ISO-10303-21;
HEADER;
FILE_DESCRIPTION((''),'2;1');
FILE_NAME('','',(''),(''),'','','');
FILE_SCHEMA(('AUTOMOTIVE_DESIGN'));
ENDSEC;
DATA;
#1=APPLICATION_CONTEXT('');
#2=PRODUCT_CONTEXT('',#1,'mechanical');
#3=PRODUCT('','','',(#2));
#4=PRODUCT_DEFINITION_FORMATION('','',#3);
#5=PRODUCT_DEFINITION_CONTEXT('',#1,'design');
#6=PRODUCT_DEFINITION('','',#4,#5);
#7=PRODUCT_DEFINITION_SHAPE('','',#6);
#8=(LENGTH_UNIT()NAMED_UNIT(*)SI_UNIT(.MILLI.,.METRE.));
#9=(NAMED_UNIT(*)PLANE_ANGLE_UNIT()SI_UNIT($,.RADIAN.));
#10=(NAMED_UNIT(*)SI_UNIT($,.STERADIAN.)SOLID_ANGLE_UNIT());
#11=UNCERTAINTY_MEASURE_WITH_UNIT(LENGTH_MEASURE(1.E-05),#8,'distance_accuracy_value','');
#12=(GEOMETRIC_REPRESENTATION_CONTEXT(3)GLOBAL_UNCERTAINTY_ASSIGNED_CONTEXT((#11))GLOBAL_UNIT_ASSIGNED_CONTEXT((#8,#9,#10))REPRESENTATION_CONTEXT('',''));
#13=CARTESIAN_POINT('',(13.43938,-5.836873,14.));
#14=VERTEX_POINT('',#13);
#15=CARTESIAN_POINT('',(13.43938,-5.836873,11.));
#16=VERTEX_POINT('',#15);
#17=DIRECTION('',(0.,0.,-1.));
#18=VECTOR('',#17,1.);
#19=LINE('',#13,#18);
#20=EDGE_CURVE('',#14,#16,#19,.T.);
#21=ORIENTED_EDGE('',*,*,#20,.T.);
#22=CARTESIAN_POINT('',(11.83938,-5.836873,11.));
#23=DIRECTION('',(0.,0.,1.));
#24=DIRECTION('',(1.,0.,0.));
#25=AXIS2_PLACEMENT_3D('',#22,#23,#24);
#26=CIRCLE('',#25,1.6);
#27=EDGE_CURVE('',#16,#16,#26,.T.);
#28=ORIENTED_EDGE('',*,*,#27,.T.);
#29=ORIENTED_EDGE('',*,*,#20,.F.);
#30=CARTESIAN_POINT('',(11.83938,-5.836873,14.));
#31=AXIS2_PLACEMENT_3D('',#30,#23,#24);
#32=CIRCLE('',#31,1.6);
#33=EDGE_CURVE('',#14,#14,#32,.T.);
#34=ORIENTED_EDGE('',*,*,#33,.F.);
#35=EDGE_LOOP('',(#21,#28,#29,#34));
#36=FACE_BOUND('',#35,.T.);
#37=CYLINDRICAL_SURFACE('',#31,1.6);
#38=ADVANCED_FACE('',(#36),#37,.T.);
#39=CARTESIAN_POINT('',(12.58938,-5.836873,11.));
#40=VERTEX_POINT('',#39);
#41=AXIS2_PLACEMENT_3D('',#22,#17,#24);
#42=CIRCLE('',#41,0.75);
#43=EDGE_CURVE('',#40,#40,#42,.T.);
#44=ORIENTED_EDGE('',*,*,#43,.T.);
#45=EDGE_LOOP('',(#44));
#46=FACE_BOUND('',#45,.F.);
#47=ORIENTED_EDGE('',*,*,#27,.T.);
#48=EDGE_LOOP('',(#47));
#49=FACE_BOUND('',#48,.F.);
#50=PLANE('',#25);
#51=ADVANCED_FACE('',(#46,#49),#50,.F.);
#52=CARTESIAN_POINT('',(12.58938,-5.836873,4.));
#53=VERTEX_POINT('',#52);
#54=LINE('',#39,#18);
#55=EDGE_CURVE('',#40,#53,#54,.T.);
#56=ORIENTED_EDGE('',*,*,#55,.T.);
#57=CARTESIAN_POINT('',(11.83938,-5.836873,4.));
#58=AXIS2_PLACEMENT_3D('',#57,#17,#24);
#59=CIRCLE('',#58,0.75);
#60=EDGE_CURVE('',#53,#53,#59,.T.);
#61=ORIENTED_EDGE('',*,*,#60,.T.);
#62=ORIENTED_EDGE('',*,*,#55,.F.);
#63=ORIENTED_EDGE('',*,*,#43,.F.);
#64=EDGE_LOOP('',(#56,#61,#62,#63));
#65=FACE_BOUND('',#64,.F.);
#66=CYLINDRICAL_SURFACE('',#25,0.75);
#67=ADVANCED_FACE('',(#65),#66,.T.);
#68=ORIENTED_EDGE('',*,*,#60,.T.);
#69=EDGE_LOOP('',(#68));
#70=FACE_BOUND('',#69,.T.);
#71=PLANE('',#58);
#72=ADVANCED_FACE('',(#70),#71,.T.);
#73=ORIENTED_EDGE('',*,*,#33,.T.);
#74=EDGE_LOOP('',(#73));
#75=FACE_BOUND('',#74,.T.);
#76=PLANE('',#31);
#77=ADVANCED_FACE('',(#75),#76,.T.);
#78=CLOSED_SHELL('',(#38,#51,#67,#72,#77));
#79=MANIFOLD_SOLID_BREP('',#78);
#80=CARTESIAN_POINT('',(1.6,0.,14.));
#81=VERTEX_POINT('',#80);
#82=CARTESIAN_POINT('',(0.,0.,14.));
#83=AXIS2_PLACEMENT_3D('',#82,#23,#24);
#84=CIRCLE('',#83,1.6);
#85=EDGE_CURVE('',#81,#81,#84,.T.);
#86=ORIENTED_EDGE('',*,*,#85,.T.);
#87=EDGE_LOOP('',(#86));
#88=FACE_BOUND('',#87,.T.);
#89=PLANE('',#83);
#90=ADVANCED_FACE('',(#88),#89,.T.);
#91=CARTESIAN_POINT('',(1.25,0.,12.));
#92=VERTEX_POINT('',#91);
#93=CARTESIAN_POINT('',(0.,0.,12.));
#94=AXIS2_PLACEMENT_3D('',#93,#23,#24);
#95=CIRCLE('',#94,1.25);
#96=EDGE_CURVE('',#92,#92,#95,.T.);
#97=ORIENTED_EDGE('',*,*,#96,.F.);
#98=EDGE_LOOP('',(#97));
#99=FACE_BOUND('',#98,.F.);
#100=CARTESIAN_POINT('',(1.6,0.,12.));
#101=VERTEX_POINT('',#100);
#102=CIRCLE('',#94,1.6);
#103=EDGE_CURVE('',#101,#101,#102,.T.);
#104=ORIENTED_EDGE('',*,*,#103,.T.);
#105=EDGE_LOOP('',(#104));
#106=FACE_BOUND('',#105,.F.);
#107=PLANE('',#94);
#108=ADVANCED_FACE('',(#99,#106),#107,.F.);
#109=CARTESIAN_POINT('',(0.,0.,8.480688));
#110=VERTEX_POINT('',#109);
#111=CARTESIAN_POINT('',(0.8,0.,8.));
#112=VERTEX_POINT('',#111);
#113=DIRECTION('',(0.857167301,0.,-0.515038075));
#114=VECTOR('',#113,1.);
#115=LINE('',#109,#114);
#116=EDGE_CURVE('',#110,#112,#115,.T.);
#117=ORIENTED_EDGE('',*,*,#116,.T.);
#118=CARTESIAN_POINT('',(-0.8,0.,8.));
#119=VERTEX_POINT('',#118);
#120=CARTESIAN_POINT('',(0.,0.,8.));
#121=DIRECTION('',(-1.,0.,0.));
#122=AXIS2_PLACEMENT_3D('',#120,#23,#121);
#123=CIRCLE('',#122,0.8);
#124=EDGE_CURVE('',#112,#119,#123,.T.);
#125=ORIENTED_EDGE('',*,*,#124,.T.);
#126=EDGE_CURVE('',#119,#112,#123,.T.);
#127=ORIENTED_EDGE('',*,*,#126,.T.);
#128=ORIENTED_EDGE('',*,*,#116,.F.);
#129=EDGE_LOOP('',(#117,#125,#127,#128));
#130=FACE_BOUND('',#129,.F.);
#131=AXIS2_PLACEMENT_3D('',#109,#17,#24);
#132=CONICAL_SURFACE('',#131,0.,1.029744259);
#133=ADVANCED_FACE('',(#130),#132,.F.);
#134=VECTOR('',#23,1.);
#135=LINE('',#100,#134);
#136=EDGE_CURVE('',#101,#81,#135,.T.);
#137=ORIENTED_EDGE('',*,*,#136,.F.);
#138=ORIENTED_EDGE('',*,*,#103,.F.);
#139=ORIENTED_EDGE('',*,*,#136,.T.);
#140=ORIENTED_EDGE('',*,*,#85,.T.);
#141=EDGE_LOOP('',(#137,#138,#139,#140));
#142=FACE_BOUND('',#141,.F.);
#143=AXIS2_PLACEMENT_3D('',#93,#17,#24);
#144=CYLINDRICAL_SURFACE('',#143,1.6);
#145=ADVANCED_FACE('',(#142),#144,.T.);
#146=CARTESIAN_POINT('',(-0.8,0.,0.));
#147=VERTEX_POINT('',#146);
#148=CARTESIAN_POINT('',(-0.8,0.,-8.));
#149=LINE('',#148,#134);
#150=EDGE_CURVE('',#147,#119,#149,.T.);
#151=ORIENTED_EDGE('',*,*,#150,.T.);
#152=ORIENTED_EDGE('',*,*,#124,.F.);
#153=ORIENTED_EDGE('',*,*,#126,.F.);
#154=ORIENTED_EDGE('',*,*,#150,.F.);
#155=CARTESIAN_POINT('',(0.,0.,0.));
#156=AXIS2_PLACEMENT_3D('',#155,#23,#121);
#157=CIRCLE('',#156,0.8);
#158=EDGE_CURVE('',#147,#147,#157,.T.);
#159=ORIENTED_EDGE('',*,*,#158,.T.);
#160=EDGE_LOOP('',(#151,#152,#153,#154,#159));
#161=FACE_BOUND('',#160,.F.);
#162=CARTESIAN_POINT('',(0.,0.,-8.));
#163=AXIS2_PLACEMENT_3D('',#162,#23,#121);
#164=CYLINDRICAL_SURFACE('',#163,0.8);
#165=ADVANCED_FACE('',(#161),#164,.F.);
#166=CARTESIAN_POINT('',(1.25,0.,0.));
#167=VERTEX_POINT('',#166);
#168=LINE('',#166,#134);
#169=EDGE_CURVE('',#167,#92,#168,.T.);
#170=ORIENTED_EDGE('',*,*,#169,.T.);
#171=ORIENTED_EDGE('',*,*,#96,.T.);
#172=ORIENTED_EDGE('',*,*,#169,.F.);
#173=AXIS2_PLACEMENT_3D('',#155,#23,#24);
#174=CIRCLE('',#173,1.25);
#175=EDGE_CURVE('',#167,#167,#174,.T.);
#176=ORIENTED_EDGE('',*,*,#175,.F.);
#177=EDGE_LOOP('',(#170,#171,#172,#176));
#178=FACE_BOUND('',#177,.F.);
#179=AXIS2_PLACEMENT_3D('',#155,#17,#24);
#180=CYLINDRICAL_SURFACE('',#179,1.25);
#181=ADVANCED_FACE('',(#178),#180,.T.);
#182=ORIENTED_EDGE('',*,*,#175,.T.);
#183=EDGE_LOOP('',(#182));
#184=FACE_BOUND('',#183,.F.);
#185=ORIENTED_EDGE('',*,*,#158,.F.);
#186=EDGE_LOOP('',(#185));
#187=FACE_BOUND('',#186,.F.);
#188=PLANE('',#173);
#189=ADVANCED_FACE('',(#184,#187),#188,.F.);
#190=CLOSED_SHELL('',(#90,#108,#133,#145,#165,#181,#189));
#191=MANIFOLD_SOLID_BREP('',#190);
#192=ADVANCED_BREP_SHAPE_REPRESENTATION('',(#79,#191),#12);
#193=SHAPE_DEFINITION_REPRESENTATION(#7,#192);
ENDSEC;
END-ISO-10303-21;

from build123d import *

# Parameters (mm, degrees)
F0_R     = 1.25
F1_DEPTH = 12
F2_R     = 1.6
F3_DEPTH = 2
F5_D     = 1.6
F5_DEPTH = 8
F5_TIP   = 0.4806884952
F6_R     = 1.6
F7_DEPTH = 3
F8_R     = 0.75
F9_DEPTH = 7


with BuildPart() as f1:
    # F0 (on Top) → F1 (new body)
    with BuildSketch(Plane.XY):
        Circle(F0_R)
    extrude(amount=F1_DEPTH)

    # F2 (on face) → F3 (join)
    with BuildSketch(Plane.XY.offset(12)):
        Circle(F2_R)
    extrude(amount=F3_DEPTH)

    # F5
    with Locations(Plane(origin=(0, 0, 0), x_dir=(1, 0, 0), z_dir=(0, 0, -1))):
        with Locations((0, 0)):
            Hole(F5_D / 2, depth=F5_DEPTH)
            with Locations((0, 0, -(F5_DEPTH + F5_TIP / 2))):  # 118° drill point
                Cone(0, F5_D / 2, F5_TIP, mode=Mode.SUBTRACT)


with BuildPart() as f7:
    # F6 (on face) → F7 (new body)
    with BuildSketch(Plane.XY.offset(14)):
        with Locations((11.8393795413, -5.8368734847)):
            Circle(F6_R)
    extrude(amount=-F7_DEPTH)

    # F8 (on face) → F9 (join)
    with BuildSketch(Plane(origin=(0, 0, 11), x_dir=(1, 0, 0), z_dir=(0, 0, -1))):
        with Locations((11.8393795413, 5.8368734847)):
            Circle(F8_R)
    extrude(amount=F9_DEPTH)


solid = Compound([f1.part, f7.part])
